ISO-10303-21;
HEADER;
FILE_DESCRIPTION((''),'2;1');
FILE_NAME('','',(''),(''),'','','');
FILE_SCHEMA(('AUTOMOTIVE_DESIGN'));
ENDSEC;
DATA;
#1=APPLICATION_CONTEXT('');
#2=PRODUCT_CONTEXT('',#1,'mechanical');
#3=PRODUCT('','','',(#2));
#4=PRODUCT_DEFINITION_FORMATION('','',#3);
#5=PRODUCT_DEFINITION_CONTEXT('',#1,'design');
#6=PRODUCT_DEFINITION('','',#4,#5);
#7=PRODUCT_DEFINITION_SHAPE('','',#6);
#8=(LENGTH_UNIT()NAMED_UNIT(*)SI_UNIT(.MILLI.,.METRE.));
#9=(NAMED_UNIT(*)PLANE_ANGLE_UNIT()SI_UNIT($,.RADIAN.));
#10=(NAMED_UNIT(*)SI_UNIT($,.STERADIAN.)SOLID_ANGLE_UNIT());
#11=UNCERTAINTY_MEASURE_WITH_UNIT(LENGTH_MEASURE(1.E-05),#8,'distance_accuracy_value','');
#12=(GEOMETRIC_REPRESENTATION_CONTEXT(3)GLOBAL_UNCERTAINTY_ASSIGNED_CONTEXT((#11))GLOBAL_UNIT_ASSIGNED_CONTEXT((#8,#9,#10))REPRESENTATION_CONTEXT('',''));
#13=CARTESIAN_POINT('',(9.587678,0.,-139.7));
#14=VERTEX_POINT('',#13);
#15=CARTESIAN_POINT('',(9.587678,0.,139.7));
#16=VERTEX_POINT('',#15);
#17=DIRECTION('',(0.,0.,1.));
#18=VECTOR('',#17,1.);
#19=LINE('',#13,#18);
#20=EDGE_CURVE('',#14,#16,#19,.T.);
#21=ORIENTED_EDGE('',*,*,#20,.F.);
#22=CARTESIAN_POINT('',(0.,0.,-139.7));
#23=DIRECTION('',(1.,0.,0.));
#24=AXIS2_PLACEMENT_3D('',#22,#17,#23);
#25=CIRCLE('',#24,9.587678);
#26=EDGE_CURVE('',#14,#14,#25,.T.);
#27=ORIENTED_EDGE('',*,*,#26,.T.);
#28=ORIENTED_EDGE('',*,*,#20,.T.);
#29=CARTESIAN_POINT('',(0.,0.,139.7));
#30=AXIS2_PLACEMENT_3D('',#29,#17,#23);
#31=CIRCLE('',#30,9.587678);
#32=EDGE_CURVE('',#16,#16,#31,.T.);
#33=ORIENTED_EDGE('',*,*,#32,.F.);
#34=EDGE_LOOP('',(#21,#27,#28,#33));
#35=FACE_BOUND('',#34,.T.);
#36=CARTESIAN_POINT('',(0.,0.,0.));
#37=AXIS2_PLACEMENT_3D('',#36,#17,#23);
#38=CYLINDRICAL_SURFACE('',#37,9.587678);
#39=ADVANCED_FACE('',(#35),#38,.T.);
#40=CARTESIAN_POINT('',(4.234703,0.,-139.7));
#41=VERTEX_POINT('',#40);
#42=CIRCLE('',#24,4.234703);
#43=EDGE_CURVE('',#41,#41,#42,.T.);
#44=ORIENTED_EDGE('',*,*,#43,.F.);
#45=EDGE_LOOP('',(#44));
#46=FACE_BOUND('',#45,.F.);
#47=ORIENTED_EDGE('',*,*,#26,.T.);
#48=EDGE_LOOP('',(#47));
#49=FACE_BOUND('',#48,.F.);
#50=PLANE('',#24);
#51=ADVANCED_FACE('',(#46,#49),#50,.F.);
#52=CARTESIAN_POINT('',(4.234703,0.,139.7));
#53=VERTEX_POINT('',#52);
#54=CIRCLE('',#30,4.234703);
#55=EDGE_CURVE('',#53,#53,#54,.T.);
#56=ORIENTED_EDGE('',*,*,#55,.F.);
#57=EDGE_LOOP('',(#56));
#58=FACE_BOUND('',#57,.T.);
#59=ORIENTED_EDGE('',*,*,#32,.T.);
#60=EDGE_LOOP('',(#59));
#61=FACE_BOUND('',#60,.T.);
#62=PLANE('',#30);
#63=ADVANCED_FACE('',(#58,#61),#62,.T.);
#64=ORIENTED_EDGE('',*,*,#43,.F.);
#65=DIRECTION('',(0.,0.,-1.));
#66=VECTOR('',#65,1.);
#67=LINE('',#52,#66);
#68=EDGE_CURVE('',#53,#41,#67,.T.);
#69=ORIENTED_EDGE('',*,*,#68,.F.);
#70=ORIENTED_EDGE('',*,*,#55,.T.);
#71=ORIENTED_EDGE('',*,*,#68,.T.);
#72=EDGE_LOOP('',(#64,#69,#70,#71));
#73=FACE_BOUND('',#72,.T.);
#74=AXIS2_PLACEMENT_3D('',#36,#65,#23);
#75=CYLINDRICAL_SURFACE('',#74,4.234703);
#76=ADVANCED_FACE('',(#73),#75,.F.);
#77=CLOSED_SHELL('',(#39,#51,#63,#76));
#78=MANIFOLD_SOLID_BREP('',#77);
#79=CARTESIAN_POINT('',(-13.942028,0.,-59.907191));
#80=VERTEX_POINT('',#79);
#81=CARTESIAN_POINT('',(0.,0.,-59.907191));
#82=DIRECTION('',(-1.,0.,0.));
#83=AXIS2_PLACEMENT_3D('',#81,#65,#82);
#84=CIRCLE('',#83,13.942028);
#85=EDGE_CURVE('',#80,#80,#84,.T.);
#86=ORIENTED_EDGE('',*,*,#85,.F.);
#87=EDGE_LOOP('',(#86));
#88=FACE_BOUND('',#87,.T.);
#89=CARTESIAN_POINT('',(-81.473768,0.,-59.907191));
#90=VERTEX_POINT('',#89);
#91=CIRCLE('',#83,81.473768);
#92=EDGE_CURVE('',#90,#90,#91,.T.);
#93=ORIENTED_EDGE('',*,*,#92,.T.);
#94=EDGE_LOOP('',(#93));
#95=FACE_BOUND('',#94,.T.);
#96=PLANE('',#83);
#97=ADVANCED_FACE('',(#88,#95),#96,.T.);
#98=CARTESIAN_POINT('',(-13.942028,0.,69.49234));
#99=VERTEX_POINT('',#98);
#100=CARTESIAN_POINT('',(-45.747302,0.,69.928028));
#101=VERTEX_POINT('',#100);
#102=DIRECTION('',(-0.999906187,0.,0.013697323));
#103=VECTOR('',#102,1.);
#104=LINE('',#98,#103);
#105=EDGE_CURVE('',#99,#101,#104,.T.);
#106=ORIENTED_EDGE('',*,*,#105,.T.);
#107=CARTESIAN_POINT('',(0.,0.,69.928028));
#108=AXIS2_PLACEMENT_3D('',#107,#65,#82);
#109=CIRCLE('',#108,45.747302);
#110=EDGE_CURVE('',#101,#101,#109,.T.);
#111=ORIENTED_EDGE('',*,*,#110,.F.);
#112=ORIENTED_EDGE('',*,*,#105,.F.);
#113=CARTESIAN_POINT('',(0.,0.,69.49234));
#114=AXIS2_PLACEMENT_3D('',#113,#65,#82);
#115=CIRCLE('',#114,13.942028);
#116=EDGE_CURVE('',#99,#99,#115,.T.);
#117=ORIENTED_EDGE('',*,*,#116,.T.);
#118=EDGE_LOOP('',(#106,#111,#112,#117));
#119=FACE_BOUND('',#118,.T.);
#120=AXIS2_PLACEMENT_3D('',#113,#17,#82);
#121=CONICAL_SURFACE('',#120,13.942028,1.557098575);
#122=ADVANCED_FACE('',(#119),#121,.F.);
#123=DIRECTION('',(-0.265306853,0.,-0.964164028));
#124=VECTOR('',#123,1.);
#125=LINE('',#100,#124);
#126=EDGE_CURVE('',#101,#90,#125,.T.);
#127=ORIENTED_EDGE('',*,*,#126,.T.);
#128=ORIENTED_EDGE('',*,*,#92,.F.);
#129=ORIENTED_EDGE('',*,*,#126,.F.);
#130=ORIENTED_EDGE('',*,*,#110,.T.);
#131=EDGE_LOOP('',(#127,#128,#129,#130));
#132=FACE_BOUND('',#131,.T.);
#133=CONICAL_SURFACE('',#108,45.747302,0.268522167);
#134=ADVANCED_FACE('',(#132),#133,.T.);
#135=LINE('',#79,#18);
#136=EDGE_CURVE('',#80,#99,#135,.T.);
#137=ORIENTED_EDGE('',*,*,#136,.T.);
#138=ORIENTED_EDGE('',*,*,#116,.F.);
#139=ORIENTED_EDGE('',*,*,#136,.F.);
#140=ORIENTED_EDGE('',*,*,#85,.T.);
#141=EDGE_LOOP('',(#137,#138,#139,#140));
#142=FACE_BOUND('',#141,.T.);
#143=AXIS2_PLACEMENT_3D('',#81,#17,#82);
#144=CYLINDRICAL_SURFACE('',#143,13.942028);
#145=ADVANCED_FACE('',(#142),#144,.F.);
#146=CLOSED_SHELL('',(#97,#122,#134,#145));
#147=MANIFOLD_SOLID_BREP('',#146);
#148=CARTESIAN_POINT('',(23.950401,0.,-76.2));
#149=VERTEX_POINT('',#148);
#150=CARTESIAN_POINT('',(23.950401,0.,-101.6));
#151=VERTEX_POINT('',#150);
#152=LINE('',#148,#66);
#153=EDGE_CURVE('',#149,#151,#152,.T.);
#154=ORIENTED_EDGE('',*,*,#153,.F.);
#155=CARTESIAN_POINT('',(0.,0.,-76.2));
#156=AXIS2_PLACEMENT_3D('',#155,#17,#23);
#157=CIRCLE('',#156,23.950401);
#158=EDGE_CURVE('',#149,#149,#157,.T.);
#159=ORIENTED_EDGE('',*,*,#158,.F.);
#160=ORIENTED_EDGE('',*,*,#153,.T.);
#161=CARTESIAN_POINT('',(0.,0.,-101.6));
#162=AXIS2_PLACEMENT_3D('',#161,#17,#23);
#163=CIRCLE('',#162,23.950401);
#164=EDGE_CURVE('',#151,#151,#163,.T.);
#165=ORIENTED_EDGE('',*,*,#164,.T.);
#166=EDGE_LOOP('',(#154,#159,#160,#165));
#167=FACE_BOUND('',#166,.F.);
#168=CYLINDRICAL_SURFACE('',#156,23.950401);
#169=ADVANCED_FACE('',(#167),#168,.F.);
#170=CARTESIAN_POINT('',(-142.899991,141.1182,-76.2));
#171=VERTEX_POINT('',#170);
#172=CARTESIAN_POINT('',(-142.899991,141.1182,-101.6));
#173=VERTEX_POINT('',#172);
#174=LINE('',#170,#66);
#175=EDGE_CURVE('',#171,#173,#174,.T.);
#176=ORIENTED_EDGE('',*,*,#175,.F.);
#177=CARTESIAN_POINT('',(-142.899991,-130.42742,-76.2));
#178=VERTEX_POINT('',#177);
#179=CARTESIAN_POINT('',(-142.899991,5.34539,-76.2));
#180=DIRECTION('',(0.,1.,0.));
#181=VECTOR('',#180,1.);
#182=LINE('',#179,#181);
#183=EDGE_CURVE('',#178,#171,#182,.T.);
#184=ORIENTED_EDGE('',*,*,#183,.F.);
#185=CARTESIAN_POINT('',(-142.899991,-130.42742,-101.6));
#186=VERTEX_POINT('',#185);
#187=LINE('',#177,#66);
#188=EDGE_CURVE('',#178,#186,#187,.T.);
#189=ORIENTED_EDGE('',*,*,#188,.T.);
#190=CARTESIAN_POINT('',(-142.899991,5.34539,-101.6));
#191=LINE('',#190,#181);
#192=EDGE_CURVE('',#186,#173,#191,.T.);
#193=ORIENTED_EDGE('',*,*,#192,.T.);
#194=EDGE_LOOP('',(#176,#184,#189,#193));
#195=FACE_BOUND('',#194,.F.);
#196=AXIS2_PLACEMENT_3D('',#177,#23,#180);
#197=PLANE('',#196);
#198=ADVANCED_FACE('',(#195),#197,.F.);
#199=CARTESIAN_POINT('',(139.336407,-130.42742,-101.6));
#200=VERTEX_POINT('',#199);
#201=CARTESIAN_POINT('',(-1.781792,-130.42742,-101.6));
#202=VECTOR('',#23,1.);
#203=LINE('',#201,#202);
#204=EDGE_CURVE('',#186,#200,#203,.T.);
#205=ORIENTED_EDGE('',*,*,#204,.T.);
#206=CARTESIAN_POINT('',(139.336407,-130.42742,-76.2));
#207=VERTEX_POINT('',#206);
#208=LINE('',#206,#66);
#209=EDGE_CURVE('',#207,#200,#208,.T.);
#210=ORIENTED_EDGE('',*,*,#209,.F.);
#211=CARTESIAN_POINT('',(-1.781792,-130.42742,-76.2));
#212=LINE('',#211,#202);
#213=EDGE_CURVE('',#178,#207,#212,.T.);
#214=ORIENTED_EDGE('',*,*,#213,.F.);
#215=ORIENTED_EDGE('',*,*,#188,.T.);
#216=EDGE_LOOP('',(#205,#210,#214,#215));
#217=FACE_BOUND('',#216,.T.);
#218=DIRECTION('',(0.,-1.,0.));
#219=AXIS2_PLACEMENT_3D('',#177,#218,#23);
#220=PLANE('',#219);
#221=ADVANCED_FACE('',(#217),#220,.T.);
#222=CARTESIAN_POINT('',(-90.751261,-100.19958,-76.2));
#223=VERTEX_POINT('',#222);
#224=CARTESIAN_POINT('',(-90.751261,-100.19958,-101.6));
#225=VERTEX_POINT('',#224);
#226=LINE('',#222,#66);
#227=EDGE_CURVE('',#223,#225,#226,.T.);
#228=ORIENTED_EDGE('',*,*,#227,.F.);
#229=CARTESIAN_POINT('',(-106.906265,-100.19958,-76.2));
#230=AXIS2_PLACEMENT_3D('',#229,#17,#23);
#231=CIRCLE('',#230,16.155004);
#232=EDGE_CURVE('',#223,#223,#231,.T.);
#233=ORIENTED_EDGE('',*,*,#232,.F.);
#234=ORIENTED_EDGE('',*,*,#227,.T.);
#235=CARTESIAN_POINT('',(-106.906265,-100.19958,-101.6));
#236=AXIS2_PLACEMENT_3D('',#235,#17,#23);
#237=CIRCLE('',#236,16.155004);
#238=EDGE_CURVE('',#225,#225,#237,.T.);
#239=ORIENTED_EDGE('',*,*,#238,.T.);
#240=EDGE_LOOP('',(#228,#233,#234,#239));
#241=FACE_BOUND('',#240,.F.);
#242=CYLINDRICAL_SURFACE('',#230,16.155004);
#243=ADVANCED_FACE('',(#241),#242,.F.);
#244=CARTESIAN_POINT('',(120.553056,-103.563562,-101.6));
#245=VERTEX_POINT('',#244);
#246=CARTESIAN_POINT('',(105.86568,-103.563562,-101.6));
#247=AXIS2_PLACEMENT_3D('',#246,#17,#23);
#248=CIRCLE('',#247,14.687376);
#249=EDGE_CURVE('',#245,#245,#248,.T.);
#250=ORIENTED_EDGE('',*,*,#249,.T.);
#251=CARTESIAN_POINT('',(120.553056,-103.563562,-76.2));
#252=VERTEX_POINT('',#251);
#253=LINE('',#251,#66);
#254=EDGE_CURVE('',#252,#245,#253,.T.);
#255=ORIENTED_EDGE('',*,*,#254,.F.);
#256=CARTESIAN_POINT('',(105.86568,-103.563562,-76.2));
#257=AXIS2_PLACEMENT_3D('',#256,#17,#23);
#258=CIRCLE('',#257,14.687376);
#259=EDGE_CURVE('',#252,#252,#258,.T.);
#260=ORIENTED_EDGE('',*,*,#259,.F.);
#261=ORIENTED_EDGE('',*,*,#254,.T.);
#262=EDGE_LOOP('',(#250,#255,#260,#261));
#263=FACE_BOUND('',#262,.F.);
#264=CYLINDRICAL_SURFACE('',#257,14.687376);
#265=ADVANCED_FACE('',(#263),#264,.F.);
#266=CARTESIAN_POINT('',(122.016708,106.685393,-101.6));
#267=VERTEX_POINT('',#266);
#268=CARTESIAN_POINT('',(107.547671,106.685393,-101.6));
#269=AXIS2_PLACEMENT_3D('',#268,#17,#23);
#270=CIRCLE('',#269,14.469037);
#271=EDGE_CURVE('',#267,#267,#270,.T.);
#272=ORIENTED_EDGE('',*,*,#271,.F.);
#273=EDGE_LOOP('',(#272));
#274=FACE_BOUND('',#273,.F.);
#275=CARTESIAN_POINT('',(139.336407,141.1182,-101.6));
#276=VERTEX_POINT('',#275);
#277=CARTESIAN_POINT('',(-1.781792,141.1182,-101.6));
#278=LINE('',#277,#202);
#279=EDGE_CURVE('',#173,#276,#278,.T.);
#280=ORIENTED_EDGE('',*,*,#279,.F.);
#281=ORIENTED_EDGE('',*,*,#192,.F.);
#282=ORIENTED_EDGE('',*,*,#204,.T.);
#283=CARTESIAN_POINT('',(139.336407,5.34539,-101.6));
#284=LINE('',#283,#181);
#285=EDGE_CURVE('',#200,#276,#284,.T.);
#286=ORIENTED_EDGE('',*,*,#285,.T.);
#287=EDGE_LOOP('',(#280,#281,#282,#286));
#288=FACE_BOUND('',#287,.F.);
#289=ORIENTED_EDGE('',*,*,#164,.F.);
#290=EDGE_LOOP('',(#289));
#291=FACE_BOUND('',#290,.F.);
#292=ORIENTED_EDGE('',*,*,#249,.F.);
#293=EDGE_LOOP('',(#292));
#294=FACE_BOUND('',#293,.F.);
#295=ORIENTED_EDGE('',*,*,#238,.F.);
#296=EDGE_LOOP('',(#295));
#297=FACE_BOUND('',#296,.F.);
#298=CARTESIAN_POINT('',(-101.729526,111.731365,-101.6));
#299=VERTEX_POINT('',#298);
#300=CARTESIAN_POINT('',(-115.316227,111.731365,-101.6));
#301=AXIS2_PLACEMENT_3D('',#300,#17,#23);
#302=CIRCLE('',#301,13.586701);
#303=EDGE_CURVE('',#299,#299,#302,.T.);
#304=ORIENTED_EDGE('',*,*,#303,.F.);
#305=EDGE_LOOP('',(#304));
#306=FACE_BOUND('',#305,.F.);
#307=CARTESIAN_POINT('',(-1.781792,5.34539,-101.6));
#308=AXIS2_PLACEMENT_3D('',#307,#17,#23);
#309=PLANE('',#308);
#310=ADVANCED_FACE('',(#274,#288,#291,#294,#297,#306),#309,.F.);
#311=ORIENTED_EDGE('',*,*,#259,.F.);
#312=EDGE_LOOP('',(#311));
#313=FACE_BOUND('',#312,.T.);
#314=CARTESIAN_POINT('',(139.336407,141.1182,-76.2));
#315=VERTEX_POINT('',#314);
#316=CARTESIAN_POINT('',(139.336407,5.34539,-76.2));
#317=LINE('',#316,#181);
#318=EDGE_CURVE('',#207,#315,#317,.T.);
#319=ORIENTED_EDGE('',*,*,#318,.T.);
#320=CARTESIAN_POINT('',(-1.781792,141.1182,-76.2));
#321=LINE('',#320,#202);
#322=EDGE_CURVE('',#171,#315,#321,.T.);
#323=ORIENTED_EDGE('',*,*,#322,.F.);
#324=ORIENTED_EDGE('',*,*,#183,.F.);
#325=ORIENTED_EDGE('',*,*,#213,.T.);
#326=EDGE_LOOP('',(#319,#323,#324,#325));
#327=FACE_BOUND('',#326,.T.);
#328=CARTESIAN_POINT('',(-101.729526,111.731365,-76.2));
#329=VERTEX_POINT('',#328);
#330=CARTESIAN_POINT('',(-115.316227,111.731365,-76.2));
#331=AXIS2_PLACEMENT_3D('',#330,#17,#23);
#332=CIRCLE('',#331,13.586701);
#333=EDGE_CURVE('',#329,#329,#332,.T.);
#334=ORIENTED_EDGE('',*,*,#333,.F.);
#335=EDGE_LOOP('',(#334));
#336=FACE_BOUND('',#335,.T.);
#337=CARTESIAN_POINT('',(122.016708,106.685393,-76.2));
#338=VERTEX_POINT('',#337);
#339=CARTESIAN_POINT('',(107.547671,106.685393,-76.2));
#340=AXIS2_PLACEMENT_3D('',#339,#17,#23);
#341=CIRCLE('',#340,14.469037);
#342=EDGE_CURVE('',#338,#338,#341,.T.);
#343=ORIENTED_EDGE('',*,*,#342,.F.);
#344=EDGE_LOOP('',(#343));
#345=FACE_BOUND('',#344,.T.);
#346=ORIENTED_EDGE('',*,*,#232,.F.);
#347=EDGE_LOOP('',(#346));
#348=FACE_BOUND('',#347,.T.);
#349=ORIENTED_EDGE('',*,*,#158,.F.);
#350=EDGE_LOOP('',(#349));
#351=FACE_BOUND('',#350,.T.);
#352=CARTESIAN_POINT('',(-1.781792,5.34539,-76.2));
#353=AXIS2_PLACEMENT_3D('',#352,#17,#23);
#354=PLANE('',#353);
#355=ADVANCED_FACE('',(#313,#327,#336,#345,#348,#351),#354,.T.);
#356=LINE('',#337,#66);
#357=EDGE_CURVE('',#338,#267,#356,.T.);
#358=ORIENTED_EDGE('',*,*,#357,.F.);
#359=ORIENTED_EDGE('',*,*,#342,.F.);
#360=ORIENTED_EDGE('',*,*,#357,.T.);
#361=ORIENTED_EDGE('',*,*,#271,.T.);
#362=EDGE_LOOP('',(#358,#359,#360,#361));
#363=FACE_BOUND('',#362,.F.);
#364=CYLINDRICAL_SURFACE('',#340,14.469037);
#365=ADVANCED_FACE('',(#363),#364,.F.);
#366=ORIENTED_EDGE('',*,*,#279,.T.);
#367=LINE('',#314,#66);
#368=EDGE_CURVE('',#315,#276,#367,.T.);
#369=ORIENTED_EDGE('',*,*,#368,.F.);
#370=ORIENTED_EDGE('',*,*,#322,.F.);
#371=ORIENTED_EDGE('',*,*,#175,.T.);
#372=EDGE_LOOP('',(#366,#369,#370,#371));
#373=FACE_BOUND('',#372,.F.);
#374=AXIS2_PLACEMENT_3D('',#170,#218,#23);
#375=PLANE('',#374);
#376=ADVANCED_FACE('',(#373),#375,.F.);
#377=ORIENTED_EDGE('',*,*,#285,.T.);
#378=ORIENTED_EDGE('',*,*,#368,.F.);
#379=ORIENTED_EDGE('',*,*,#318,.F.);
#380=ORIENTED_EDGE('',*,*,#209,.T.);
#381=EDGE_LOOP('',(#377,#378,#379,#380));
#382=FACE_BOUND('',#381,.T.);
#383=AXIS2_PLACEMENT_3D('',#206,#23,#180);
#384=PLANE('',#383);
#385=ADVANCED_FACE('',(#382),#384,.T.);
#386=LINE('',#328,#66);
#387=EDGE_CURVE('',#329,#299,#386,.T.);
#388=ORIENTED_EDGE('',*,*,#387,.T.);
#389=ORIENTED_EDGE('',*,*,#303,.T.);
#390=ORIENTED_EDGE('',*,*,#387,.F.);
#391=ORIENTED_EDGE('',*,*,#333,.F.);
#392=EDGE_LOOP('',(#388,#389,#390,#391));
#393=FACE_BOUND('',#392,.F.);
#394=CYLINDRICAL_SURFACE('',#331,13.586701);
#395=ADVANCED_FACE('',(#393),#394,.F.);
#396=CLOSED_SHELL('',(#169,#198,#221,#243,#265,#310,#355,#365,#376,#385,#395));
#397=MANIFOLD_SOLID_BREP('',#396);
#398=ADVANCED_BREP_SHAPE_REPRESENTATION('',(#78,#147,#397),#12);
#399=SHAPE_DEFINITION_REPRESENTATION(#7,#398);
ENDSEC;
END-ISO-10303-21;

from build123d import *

# Parameters (mm, degrees)
F2_R     = 9.587678
F2_R_2   = 4.234703
F3_DEPTH = 139.7
F5_W     = 282.236397
F5_H     = 271.545619
F5_R     = 16.155004
F5_R_2   = 14.687376
F5_R_3   = 23.950401
F5_R_4   = 13.586701
F5_R_5   = 14.469037
F6_DEPTH = 25.4


with BuildPart() as f1:
    # F0 (on Front) → F1 (revolve)
    with BuildSketch(Plane.XZ):
        Polygon((-13.942028, 69.49234), (-45.747302, 69.928028), (-81.473768, -59.907191), (-13.942028, -59.907191), align=None)
    revolve(axis=Axis((0, 0, 7.188862), (0, 0, -1)))


with BuildPart() as f3:
    # F2 (on Top) → F3 (new body, symmetric)
    with BuildSketch(Plane.XY):
        Circle(F2_R)
        Circle(F2_R_2, mode=Mode.SUBTRACT)
    extrude(amount=F3_DEPTH, both=True)


with BuildPart() as f6:
    # F5 (on offset) → F6 (new body)
    with BuildSketch(Plane.XY.offset(-76.2)):
        with Locations((-1.781792, 5.34539)):
            Rectangle(F5_W, F5_H)
        with Locations((-106.906265, -100.19958)):
            Circle(F5_R, mode=Mode.SUBTRACT)
        with Locations((105.86568, -103.563562)):
            Circle(F5_R_2, mode=Mode.SUBTRACT)
        Circle(F5_R_3, mode=Mode.SUBTRACT)
        with Locations((-115.316227, 111.731365)):
            Circle(F5_R_4, mode=Mode.SUBTRACT)
        with Locations((107.547671, 106.685393)):
            Circle(F5_R_5, mode=Mode.SUBTRACT)
    extrude(amount=-F6_DEPTH)


solid = Compound([f1.part, f3.part, f6.part])
